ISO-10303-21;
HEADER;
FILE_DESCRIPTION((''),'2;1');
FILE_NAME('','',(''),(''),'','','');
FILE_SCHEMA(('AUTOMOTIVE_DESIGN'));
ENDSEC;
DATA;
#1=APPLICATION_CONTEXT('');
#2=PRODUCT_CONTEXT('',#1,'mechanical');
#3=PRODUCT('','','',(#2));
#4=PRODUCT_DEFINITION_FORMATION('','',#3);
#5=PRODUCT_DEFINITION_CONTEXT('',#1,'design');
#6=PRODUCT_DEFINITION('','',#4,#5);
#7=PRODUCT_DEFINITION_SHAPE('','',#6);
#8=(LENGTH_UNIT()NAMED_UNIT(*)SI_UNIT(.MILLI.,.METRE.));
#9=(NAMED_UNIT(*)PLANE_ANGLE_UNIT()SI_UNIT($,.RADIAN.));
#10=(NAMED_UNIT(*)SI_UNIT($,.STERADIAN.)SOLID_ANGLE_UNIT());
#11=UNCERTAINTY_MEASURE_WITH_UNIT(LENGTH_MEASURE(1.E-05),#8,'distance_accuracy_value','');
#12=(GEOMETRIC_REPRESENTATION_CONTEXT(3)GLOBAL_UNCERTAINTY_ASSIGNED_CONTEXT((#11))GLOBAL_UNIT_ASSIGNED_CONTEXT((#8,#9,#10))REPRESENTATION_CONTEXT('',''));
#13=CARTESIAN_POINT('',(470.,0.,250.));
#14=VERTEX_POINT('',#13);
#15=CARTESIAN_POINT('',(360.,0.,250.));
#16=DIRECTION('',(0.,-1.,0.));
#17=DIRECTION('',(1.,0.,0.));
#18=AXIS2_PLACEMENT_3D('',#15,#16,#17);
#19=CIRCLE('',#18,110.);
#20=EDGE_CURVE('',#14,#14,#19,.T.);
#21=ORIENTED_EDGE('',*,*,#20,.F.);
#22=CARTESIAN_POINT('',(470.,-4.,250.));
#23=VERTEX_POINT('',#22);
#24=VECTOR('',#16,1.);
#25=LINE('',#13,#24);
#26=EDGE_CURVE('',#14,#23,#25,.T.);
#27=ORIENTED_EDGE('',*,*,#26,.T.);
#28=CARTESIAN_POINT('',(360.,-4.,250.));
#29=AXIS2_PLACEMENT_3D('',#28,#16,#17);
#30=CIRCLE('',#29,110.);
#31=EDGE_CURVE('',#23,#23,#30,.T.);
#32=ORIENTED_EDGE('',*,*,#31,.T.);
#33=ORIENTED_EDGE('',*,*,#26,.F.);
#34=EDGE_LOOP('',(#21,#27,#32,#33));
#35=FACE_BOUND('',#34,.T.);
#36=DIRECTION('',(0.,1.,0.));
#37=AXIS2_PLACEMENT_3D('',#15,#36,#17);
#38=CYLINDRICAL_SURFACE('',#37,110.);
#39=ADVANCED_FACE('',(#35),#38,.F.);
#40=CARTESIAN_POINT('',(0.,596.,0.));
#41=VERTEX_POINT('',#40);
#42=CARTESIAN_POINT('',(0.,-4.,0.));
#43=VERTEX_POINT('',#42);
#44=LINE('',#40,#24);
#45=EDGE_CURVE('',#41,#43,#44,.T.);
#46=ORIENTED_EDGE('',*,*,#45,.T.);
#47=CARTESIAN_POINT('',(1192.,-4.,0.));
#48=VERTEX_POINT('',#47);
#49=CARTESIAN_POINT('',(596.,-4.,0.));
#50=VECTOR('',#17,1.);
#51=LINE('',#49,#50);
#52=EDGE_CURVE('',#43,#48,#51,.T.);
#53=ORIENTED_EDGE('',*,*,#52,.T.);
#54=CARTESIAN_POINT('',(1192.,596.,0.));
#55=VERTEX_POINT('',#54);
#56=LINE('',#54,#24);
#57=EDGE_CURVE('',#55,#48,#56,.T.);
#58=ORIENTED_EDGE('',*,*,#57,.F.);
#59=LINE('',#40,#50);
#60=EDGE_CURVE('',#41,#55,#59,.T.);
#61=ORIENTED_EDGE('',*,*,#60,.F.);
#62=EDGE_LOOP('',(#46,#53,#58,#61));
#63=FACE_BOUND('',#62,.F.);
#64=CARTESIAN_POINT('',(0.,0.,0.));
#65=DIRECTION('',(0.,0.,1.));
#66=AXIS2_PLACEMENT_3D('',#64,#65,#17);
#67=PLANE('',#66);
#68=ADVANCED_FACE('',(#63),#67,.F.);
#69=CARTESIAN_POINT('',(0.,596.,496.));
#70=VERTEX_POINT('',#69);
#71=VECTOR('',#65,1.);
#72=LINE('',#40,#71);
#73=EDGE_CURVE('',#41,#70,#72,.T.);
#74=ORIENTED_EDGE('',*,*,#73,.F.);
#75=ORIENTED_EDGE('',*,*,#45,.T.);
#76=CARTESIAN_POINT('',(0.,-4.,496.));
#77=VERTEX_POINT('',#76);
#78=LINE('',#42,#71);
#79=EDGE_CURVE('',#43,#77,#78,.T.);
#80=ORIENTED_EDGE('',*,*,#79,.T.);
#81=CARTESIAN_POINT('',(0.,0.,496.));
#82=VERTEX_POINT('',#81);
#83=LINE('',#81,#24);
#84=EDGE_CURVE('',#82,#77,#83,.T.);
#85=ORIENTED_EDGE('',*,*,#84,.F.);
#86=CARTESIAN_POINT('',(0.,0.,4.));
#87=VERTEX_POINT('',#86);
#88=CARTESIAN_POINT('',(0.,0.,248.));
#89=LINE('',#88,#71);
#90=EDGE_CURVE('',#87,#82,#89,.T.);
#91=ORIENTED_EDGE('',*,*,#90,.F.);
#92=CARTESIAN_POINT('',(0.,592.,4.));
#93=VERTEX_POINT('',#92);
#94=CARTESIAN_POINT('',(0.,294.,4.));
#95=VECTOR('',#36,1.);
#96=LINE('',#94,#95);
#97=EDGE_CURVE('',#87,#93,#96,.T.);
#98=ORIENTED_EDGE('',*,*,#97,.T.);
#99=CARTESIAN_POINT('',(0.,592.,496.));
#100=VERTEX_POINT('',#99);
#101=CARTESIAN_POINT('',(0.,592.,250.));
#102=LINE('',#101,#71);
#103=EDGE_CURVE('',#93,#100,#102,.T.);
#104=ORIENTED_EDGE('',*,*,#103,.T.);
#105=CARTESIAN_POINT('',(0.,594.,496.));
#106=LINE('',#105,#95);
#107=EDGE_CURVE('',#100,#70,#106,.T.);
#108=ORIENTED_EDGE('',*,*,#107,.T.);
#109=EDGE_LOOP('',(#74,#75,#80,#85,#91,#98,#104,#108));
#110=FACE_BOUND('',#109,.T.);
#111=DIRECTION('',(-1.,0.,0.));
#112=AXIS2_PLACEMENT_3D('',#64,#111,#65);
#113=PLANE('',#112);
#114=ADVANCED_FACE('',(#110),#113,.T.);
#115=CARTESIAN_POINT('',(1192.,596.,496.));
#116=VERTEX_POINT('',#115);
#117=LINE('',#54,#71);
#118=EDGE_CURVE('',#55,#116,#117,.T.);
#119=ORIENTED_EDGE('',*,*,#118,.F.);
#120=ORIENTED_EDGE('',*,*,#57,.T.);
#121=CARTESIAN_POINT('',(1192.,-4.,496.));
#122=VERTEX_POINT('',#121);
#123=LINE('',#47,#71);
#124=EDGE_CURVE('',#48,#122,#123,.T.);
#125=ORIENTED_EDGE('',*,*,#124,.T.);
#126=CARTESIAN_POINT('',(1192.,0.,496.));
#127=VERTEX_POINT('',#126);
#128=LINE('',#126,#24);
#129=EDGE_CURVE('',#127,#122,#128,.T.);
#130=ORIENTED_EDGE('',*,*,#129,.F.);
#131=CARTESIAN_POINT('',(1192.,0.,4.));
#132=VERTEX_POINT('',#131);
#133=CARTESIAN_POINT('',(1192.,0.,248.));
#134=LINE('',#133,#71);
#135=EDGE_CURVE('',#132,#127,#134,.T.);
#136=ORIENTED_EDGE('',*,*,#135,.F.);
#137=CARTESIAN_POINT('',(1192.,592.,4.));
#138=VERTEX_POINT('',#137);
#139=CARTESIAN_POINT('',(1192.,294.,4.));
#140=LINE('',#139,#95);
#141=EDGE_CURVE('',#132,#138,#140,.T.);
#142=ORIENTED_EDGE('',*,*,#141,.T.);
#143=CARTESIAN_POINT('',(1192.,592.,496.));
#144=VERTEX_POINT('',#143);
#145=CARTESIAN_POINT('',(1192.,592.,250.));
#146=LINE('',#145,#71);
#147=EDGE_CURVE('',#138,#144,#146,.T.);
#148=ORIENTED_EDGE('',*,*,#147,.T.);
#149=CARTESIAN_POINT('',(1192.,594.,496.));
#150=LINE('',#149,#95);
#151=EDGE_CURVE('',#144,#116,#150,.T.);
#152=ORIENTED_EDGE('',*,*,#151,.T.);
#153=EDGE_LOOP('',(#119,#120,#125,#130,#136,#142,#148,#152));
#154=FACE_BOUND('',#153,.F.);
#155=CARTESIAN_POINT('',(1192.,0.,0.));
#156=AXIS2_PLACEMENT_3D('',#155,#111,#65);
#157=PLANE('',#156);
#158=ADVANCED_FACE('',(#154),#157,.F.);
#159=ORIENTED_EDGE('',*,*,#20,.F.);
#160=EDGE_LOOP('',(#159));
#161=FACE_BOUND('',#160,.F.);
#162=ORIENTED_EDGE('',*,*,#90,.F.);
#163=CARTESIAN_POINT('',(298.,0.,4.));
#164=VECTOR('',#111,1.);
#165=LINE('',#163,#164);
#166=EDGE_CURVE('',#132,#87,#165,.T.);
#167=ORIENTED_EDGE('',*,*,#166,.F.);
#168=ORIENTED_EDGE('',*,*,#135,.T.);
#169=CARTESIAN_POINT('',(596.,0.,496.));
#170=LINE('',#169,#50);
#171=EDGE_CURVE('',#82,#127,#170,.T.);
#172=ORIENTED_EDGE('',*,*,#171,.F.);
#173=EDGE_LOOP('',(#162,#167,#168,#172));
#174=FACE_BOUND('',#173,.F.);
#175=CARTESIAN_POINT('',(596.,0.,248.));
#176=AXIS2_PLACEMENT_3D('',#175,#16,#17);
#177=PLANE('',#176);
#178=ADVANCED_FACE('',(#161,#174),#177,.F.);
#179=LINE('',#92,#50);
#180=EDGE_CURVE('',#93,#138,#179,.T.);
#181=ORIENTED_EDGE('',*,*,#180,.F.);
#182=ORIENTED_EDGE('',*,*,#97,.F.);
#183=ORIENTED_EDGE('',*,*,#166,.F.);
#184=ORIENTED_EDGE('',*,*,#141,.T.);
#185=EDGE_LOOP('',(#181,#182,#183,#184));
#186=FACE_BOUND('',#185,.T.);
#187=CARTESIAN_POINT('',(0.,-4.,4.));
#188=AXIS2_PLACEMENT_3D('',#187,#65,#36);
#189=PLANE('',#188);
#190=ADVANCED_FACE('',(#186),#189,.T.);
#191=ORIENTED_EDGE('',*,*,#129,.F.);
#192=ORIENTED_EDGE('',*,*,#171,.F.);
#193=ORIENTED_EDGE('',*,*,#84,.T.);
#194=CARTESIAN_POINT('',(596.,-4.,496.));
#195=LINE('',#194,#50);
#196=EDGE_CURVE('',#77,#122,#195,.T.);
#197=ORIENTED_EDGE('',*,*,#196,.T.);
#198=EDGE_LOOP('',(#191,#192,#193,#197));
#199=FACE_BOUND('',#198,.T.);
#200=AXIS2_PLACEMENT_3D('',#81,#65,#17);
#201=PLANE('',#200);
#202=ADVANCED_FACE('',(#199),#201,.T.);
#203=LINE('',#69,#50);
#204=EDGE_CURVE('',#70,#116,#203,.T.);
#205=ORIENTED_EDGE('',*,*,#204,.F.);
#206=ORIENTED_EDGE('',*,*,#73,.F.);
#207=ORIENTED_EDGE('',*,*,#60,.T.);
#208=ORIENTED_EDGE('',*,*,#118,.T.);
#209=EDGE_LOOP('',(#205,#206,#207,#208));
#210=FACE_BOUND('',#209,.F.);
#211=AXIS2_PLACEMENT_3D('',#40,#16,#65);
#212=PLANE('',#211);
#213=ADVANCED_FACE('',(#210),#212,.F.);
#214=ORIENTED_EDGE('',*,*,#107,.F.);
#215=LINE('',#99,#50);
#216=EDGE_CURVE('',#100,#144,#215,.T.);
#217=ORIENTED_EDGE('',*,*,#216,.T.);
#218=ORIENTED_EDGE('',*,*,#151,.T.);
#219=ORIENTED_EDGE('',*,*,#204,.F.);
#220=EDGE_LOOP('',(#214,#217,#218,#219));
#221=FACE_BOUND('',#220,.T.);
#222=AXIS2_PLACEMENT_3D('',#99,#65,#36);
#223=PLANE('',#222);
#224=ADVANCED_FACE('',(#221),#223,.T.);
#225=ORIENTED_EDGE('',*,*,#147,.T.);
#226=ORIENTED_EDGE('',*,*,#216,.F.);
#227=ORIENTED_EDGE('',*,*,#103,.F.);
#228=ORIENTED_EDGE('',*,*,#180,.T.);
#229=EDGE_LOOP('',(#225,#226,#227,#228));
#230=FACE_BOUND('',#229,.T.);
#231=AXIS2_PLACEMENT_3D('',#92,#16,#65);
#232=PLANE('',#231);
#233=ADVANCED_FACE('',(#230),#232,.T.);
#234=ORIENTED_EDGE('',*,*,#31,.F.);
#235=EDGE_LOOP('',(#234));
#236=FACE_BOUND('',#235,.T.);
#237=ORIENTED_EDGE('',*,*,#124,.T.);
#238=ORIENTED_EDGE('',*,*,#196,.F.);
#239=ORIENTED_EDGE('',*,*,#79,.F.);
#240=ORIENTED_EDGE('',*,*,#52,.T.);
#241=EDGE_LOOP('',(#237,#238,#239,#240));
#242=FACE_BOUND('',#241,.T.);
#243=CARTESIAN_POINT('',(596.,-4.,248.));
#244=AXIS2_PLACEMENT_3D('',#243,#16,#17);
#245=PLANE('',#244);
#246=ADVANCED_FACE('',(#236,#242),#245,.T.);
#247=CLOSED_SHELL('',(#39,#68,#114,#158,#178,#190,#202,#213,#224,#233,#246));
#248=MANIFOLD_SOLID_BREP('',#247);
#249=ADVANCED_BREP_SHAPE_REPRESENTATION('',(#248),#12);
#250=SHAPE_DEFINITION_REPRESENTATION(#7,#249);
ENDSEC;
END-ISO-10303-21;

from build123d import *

# Parameters (mm, degrees)
F0_W     = 1192
F0_H     = 496
F0_R     = 110
F1_DEPTH = 4
F2_W     = 596
F2_H     = 4
F2_W_2   = 4
F2_H_2   = 492
F3_DEPTH = 1192


with BuildPart() as f1:
    # F0 (on Front) → F1 (new body)
    with BuildSketch(Plane.XZ):
        with Locations((596, 248)):
            Rectangle(F0_W, F0_H)
        with Locations((360, 250)):
            Circle(F0_R, mode=Mode.SUBTRACT)
    extrude(amount=F1_DEPTH)

    # F2 (on Right) → F3 (join)
    with BuildSketch(Plane.YZ):
        with Locations((294, 2)):
            Rectangle(F2_W, F2_H)
        with Locations((594, 250)):
            Rectangle(F2_W_2, F2_H_2)
        with Locations((594, 2)):
            Rectangle(F2_W_2, F2_H)
    extrude(amount=F3_DEPTH)


solid = f1.part
